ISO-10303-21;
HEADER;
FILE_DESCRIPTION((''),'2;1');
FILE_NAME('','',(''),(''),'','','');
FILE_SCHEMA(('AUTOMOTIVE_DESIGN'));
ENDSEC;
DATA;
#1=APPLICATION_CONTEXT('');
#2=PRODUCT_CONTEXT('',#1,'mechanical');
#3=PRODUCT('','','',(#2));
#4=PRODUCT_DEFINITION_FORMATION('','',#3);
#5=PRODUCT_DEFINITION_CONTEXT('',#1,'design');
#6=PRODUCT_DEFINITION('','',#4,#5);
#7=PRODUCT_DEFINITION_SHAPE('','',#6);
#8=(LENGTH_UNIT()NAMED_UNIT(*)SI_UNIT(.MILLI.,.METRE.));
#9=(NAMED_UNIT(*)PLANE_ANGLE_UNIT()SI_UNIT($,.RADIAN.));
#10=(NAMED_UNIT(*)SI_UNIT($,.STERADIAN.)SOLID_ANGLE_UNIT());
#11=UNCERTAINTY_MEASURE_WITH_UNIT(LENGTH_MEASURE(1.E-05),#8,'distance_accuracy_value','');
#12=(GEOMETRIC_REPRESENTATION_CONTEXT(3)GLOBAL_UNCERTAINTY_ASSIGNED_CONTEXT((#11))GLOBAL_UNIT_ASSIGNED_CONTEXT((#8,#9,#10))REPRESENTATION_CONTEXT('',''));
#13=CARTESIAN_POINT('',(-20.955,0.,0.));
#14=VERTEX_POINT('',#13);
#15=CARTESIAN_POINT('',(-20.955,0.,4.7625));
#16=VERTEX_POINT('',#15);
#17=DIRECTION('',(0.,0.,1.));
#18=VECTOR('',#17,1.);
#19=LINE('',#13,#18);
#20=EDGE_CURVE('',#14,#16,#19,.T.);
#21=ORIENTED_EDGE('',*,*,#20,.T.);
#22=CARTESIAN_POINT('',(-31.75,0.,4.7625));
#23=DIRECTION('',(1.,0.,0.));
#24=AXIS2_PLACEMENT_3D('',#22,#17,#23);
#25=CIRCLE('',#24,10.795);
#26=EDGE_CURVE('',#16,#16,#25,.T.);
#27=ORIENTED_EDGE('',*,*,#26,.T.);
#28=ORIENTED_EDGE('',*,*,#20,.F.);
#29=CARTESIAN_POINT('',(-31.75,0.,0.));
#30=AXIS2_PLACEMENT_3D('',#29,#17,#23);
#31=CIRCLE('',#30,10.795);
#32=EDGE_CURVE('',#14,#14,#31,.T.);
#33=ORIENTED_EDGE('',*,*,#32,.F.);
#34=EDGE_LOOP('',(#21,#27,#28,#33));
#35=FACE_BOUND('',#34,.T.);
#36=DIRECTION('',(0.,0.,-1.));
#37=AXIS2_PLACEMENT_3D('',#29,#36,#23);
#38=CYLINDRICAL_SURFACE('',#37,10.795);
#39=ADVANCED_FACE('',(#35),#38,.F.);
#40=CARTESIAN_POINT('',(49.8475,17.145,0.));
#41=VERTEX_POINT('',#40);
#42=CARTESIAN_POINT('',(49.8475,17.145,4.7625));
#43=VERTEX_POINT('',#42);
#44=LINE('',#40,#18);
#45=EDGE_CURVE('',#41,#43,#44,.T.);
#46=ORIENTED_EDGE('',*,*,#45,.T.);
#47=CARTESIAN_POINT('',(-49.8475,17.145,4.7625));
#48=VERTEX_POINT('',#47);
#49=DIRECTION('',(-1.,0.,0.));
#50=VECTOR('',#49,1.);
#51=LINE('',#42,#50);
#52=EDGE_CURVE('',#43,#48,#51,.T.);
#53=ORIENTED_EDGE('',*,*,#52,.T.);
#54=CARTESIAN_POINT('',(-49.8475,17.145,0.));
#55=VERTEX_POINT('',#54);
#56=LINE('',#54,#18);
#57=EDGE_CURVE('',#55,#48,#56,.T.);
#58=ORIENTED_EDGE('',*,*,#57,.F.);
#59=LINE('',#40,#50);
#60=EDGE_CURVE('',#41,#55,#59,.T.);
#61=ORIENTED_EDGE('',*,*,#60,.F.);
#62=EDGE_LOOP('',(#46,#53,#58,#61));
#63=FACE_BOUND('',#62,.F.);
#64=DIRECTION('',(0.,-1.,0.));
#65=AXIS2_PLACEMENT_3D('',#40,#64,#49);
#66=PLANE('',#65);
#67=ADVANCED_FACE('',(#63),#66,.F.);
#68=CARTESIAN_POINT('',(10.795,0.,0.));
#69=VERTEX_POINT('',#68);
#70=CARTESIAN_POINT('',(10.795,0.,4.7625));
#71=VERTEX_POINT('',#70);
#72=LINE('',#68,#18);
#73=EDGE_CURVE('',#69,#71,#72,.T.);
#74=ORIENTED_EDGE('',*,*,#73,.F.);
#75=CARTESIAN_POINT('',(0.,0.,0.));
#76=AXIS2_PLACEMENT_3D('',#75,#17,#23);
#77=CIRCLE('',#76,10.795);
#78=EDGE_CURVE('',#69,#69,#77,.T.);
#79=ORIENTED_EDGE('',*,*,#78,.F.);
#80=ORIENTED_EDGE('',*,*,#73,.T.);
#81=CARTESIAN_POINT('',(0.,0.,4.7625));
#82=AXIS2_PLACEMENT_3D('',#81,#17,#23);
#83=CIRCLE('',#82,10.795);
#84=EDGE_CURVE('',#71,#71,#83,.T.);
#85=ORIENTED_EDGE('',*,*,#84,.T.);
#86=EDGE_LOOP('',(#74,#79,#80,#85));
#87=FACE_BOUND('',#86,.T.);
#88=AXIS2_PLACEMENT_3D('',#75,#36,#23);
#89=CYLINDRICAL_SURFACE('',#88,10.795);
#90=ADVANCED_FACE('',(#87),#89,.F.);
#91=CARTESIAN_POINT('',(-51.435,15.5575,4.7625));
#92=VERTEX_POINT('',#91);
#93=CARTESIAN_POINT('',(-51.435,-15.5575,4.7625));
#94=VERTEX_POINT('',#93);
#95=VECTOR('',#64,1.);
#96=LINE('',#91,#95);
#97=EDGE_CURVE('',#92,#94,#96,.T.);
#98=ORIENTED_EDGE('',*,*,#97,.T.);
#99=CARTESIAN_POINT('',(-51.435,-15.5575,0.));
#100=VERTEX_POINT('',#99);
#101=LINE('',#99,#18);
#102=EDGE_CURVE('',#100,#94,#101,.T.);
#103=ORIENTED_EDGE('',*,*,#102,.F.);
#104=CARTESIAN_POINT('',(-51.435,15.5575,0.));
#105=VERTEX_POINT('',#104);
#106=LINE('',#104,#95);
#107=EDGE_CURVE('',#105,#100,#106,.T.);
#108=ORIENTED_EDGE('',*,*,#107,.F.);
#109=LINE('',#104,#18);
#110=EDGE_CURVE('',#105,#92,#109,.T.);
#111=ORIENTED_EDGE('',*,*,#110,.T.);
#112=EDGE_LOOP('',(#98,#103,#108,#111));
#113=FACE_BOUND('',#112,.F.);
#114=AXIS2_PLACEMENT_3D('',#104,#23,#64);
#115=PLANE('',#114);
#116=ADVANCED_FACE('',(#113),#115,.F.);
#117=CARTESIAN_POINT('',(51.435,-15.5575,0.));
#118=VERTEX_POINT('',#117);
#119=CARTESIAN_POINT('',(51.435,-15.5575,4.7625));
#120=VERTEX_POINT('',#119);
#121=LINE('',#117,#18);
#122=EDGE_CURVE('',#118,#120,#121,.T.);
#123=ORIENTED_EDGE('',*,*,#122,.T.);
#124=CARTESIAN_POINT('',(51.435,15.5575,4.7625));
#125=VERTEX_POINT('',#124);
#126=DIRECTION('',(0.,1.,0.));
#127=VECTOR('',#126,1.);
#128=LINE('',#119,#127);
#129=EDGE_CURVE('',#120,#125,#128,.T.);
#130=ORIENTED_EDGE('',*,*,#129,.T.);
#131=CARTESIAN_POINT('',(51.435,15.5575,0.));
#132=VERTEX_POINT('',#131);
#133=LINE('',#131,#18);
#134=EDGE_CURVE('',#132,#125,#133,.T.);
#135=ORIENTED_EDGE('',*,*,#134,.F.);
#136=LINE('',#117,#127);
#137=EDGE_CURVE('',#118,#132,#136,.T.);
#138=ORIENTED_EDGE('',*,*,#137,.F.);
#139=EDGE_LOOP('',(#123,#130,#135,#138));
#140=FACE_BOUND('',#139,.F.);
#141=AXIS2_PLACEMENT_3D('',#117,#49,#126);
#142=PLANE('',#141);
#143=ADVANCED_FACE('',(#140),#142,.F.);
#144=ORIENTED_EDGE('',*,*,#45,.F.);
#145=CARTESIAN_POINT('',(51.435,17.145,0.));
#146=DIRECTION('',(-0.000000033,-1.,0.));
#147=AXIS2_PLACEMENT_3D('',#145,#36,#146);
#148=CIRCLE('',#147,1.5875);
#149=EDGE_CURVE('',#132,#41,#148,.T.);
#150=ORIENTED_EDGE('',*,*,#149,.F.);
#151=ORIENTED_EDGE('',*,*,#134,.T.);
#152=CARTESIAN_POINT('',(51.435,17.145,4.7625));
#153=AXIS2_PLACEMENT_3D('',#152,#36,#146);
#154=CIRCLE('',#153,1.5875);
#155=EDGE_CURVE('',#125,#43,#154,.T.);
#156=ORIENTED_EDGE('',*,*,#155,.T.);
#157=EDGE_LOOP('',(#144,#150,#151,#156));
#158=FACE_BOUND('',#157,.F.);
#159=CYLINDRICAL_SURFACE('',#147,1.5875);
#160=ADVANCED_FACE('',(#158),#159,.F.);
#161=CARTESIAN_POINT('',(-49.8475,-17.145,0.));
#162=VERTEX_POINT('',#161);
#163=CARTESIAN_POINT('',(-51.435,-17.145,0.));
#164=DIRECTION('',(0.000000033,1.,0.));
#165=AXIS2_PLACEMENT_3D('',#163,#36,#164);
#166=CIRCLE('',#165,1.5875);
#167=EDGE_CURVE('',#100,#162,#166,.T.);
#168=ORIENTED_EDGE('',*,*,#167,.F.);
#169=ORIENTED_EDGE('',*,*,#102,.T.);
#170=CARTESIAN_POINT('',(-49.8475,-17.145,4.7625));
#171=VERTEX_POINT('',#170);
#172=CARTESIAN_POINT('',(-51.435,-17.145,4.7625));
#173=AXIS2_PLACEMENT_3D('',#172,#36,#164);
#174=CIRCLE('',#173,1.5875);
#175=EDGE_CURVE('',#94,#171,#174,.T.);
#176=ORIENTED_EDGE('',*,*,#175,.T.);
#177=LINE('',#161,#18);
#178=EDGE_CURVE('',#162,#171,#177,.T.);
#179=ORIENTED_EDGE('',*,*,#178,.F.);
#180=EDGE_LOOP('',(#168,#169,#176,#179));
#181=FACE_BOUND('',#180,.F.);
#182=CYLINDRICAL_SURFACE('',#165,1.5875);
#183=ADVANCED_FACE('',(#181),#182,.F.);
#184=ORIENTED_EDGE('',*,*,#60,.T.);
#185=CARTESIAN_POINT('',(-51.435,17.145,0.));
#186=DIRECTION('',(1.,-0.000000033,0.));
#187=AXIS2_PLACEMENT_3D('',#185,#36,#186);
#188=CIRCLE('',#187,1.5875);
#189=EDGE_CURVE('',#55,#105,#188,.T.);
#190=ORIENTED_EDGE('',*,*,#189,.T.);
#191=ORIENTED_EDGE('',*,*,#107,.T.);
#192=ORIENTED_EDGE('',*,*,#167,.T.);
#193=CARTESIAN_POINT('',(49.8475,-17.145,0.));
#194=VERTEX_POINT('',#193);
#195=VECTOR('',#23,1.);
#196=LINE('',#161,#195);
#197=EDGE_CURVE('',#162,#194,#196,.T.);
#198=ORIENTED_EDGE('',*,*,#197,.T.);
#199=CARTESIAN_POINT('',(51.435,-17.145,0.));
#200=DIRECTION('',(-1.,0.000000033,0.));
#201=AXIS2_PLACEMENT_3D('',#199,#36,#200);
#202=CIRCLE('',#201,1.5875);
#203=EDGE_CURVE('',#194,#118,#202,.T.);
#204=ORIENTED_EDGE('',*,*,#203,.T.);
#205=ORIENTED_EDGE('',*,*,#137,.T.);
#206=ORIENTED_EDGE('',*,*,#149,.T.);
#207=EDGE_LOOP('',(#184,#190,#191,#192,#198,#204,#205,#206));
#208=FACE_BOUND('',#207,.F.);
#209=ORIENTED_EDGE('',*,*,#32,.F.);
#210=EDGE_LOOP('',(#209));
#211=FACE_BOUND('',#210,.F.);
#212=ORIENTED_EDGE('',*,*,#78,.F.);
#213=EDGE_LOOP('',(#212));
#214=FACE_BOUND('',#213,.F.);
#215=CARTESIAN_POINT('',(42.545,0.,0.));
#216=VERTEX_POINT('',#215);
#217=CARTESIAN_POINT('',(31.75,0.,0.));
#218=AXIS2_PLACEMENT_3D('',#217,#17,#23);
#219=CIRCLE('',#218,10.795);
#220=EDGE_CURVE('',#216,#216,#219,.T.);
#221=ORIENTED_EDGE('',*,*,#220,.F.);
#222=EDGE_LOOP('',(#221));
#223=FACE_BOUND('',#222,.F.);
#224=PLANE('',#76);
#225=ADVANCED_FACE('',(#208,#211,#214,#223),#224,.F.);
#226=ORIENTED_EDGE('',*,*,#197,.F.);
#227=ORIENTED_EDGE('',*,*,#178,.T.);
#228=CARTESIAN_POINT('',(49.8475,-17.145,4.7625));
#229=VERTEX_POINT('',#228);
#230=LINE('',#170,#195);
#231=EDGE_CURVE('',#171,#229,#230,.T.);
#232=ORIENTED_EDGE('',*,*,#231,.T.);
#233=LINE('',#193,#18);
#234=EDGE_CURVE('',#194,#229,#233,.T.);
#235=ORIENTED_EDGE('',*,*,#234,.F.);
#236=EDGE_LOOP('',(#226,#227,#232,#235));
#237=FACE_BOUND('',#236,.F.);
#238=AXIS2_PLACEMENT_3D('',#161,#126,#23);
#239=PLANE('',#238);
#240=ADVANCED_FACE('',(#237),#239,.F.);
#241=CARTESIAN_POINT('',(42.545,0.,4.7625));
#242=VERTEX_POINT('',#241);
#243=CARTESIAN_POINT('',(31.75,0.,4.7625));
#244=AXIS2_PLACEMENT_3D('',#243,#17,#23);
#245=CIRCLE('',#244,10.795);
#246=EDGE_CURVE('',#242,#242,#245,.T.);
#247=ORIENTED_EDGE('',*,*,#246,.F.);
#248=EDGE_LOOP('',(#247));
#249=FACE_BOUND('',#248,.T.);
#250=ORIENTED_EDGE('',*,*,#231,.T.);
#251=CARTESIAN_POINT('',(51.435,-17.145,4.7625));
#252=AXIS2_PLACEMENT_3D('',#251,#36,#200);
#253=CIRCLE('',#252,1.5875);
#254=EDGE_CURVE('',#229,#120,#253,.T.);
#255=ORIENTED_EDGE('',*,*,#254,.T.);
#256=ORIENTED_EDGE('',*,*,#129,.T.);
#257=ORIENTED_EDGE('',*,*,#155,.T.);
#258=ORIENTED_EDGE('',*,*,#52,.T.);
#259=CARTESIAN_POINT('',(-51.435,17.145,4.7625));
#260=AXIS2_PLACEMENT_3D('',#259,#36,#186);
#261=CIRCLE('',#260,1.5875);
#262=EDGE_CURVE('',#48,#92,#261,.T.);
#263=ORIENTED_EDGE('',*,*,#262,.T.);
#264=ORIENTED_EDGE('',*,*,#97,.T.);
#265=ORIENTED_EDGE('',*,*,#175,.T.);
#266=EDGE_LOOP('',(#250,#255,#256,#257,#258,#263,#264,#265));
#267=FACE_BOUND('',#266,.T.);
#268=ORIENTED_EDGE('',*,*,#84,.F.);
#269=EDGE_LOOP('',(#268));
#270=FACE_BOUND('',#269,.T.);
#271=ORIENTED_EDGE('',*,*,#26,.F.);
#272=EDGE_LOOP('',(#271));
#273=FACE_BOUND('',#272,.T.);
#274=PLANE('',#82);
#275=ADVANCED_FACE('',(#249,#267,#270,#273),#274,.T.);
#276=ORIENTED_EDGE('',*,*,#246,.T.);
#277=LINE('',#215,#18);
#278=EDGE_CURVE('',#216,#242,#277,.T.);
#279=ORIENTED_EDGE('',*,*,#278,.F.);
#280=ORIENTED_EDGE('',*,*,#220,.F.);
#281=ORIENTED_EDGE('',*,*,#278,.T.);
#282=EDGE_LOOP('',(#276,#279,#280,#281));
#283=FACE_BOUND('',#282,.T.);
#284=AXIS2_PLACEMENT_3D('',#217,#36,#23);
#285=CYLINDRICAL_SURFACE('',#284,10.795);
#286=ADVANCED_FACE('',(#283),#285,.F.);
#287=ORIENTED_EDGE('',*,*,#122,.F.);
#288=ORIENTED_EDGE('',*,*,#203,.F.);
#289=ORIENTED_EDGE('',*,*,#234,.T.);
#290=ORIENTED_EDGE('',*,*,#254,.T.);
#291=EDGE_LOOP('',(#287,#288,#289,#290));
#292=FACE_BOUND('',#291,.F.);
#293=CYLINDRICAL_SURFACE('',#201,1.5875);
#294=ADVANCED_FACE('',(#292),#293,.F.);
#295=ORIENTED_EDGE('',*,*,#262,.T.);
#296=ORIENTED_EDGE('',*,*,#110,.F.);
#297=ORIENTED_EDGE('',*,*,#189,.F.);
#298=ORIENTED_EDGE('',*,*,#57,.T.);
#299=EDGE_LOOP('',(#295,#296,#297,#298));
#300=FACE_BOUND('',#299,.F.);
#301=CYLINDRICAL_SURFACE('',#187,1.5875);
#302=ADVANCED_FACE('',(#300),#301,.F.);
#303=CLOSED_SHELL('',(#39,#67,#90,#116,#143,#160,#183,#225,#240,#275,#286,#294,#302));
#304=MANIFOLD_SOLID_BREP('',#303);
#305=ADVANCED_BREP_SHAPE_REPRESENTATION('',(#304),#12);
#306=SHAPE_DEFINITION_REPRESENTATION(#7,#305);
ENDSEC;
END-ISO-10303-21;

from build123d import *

# Parameters (mm, degrees)
F0_R     = 10.795
F1_DEPTH = 4.7625


with BuildPart() as f1:
    # F0 (on Top) → F1 (new body)
    with BuildSketch(Plane.XY):
        with BuildLine():
            Line((49.8475, 17.145), (-49.8475, 17.145))
            ThreePointArc((-49.8475, 17.145), (-50.312468, 16.022468), (-51.435, 15.5575))
            Line((-51.435, 15.5575), (-51.435, -15.5575))
            ThreePointArc((-51.435, -15.5575), (-50.312468, -16.022468), (-49.8475, -17.145))
            Line((-49.8475, -17.145), (49.8475, -17.145))
            ThreePointArc((49.8475, -17.145), (50.312468, -16.022468), (51.435, -15.5575))
            Line((51.435, -15.5575), (51.435, 15.5575))
            ThreePointArc((51.435, 15.5575), (50.312468, 16.022468), (49.8475, 17.145))
        make_face()
        with Locations((-31.75, 0)):
            Circle(F0_R, mode=Mode.SUBTRACT)
        Circle(F0_R, mode=Mode.SUBTRACT)
        with Locations((31.75, 0)):
            Circle(F0_R, mode=Mode.SUBTRACT)
    extrude(amount=F1_DEPTH)


solid = f1.part
